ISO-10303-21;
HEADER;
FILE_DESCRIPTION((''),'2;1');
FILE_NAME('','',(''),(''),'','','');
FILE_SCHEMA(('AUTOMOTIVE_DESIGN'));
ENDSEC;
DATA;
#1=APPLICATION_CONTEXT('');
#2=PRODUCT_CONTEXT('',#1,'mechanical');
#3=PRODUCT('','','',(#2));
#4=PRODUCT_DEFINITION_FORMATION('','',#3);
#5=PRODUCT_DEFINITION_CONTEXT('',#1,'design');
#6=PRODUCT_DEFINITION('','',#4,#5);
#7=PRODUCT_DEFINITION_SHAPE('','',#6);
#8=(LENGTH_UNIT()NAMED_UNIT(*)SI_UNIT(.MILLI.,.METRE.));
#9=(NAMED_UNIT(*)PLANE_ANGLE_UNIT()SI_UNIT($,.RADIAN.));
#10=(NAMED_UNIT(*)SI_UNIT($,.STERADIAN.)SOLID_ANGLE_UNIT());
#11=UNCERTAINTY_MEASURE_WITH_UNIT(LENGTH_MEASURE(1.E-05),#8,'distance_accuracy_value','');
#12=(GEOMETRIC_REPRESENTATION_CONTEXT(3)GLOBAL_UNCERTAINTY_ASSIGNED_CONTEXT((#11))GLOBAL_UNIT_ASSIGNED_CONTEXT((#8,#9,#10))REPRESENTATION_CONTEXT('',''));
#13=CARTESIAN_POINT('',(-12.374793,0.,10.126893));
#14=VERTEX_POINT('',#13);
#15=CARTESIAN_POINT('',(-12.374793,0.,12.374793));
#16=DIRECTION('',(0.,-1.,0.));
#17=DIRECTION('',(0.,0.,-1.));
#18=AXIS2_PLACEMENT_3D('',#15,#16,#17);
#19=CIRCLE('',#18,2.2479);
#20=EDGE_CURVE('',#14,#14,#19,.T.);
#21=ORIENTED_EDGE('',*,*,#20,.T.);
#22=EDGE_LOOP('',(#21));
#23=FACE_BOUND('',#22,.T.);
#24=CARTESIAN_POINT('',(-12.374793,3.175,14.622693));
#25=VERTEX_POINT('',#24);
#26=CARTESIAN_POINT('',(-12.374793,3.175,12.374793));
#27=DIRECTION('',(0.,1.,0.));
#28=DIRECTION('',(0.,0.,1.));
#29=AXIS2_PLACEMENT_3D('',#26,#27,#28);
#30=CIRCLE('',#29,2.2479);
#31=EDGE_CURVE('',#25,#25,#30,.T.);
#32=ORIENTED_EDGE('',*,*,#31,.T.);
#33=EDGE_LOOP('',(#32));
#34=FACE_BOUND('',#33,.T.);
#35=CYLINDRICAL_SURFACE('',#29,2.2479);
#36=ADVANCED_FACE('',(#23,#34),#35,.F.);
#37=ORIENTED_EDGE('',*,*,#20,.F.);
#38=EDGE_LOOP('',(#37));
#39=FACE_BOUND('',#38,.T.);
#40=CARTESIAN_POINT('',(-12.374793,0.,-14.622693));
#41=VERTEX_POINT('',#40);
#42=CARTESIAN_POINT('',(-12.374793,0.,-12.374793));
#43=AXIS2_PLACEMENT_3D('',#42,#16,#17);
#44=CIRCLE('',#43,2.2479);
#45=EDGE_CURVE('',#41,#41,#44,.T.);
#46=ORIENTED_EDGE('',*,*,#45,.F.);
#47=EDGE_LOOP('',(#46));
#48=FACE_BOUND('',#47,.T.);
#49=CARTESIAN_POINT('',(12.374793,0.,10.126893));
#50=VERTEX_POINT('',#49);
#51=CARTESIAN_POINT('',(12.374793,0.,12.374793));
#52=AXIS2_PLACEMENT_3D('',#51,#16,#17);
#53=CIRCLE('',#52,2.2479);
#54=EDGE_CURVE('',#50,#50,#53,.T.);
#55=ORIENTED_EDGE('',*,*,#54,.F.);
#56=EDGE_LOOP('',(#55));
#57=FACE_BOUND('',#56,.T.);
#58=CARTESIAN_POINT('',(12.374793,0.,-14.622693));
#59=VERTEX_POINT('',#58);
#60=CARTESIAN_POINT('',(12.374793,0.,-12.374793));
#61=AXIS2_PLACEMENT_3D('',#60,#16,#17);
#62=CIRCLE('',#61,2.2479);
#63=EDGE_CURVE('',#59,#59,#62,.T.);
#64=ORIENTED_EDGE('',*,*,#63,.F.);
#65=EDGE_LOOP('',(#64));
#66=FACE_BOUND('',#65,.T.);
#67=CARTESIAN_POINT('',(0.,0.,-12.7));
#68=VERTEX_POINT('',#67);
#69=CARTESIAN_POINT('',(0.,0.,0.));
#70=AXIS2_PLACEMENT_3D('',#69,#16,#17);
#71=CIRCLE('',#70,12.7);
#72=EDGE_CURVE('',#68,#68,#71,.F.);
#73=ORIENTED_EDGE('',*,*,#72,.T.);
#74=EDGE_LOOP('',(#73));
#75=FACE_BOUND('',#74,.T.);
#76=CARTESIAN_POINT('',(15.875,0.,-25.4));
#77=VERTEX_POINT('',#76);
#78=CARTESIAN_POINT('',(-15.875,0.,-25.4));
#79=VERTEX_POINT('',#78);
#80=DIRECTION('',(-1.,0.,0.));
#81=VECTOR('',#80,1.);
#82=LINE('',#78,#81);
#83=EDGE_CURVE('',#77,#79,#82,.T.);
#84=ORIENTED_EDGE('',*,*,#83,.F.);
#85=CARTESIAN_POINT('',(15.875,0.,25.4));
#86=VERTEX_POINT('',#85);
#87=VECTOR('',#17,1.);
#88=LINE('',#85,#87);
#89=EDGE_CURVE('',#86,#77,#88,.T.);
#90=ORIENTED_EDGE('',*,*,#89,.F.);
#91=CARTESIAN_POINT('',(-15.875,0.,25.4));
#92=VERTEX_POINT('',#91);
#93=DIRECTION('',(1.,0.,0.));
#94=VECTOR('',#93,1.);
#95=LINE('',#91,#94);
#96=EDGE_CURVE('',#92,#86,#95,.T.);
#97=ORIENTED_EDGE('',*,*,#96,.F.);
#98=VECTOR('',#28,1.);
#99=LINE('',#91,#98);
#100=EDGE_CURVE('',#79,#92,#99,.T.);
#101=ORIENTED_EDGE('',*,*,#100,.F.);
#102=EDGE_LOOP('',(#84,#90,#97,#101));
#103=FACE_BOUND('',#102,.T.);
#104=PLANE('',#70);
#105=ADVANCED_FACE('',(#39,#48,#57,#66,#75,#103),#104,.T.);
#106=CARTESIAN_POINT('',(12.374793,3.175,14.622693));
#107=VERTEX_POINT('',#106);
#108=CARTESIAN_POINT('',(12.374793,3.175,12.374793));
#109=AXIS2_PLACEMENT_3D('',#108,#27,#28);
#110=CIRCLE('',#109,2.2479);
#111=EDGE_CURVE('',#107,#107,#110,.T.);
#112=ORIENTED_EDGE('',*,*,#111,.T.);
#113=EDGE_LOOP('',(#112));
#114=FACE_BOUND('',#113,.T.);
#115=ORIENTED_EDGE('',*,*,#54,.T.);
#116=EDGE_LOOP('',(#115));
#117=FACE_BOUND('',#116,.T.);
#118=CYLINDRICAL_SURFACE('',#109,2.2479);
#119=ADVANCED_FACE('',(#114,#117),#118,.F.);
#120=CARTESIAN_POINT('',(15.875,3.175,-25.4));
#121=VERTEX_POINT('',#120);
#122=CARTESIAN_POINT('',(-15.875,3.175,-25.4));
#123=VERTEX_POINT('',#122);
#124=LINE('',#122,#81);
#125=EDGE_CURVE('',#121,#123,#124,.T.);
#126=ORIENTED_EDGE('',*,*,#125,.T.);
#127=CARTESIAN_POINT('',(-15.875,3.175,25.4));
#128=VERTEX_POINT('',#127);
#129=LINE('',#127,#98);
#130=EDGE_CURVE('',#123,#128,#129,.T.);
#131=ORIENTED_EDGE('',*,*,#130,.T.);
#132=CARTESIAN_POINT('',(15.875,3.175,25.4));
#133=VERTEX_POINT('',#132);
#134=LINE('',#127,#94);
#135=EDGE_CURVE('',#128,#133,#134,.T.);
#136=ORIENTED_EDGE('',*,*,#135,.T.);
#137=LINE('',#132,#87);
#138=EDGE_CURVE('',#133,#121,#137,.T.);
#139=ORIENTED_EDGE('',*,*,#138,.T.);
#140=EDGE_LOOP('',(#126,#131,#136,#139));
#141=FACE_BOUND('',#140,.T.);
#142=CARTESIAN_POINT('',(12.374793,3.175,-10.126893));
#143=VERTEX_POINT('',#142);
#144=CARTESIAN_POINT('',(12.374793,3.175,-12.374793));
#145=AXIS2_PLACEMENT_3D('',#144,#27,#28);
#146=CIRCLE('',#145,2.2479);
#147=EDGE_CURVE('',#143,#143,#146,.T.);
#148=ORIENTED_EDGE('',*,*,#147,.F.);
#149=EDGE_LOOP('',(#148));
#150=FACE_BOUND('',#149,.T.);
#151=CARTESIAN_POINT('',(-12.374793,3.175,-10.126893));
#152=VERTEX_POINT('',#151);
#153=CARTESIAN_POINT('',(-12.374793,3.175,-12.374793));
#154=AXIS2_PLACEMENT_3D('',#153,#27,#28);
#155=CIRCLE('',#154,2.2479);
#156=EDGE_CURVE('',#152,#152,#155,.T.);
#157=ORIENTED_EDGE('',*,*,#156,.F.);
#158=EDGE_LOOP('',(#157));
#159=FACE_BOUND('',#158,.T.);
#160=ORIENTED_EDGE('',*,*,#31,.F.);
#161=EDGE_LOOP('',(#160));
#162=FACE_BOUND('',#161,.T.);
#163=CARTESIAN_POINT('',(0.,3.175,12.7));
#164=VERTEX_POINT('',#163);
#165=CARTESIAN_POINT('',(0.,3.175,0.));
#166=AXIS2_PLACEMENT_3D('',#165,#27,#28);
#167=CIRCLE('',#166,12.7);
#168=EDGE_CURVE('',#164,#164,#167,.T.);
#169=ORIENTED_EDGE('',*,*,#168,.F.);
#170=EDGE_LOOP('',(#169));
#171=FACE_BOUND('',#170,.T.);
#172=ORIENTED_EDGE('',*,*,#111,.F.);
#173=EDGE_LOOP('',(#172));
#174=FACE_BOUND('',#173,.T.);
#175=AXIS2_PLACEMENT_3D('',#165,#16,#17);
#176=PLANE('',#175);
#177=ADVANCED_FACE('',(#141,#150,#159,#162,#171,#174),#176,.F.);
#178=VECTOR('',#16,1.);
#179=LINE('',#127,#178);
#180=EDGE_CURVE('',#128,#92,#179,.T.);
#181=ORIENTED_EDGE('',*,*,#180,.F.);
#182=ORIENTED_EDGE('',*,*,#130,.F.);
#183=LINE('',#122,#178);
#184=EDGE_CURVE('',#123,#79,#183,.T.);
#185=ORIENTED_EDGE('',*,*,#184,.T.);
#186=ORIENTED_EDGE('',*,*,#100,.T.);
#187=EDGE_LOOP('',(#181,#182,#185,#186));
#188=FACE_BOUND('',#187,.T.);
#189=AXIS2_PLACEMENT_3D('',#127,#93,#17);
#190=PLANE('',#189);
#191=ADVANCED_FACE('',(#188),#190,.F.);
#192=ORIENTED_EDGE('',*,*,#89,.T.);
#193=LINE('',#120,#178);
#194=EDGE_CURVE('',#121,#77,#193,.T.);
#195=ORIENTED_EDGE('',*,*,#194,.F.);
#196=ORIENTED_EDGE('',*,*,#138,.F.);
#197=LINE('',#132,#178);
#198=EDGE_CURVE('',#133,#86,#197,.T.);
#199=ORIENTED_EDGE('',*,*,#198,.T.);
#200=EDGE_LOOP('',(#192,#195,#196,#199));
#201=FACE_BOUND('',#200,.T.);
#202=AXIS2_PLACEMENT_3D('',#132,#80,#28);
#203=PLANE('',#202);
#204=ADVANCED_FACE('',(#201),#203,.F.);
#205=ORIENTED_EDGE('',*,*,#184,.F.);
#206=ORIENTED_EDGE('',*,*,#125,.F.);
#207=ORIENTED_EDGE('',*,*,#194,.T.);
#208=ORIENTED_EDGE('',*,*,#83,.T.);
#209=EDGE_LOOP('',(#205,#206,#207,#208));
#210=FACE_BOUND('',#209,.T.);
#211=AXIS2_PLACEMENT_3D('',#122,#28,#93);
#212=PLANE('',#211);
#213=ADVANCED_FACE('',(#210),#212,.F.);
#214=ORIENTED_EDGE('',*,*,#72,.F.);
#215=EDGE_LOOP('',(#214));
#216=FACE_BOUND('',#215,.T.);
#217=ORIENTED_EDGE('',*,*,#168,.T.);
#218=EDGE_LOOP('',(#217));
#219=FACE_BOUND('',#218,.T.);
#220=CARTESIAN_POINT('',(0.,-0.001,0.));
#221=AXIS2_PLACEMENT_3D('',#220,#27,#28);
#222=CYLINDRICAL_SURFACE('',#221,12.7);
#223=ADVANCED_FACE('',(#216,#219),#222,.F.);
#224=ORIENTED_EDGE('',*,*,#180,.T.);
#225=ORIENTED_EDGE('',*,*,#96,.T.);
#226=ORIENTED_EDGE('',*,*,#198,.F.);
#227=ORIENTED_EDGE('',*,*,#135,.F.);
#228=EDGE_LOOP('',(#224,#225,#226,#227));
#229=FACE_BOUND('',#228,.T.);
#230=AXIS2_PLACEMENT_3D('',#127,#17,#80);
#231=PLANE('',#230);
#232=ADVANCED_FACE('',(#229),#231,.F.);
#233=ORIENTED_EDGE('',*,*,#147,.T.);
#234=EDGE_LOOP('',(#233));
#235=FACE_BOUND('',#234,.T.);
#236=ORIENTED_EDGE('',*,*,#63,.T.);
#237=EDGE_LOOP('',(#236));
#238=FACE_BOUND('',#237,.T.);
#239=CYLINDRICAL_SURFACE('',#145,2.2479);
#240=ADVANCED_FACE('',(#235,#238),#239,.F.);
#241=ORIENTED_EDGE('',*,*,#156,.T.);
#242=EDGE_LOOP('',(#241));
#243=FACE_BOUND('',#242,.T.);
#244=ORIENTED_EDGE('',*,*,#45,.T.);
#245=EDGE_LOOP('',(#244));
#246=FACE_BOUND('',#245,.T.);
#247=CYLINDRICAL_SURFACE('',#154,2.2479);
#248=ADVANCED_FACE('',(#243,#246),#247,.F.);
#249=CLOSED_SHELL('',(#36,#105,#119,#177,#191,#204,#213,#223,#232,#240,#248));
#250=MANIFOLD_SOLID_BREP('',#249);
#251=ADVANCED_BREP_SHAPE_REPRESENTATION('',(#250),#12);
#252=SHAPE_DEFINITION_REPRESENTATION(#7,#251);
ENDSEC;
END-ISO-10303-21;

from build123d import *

# Parameters (mm, degrees)
SKETCH1_W            = 31.75
SKETCH1_H            = 50.8
BOSS_EXTRUDE1_DEPTH  = 3.175
CUT_EXTRUDE1_REACH   = 32.121
SKETCH2_R            = 12.7
M4_CLEARANCE_HOLE1_D = 4.4958


with BuildPart() as part:
    # Sketch1 → Boss-Extrude1 (new body)
    with BuildSketch(Plane(origin=(0, 0, 0), x_dir=(1, 0, 0), z_dir=(0, 1, 0))):
        Rectangle(SKETCH1_W, SKETCH1_H)
    extrude(amount=BOSS_EXTRUDE1_DEPTH)

    # Sketch2 → Cut-Extrude1 (cut, up to next)
    with BuildSketch(Plane(origin=(0, 3.175, 0), x_dir=(1, 0, 0), z_dir=(0, 1, 0)), mode=Mode.PRIVATE) as cut_extrude1_sk1:
        with Locations(Location((0, 0, 0), (0, 0, 270))):
            Circle(SKETCH2_R)
    cut_extrude1_tool1 = extrude(cut_extrude1_sk1.sketch, amount=-CUT_EXTRUDE1_REACH, mode=Mode.PRIVATE) & part.part
    add(cut_extrude1_tool1.solids().sort_by_distance((0, 3.175, 0))[0], mode=Mode.SUBTRACT)

    # M4 Clearance Hole1 (through all)
    with Locations(Plane(origin=(0, 3.175, 0), x_dir=(1, 0, 0), z_dir=(0, 1, 0))):
        with Locations((12.374792935, -12.374792935), (-12.374792935, -12.374792935), (-12.374792935, 12.374792935), (12.374792935, 12.374792935)):
            Hole(M4_CLEARANCE_HOLE1_D / 2)


solid = part.part
